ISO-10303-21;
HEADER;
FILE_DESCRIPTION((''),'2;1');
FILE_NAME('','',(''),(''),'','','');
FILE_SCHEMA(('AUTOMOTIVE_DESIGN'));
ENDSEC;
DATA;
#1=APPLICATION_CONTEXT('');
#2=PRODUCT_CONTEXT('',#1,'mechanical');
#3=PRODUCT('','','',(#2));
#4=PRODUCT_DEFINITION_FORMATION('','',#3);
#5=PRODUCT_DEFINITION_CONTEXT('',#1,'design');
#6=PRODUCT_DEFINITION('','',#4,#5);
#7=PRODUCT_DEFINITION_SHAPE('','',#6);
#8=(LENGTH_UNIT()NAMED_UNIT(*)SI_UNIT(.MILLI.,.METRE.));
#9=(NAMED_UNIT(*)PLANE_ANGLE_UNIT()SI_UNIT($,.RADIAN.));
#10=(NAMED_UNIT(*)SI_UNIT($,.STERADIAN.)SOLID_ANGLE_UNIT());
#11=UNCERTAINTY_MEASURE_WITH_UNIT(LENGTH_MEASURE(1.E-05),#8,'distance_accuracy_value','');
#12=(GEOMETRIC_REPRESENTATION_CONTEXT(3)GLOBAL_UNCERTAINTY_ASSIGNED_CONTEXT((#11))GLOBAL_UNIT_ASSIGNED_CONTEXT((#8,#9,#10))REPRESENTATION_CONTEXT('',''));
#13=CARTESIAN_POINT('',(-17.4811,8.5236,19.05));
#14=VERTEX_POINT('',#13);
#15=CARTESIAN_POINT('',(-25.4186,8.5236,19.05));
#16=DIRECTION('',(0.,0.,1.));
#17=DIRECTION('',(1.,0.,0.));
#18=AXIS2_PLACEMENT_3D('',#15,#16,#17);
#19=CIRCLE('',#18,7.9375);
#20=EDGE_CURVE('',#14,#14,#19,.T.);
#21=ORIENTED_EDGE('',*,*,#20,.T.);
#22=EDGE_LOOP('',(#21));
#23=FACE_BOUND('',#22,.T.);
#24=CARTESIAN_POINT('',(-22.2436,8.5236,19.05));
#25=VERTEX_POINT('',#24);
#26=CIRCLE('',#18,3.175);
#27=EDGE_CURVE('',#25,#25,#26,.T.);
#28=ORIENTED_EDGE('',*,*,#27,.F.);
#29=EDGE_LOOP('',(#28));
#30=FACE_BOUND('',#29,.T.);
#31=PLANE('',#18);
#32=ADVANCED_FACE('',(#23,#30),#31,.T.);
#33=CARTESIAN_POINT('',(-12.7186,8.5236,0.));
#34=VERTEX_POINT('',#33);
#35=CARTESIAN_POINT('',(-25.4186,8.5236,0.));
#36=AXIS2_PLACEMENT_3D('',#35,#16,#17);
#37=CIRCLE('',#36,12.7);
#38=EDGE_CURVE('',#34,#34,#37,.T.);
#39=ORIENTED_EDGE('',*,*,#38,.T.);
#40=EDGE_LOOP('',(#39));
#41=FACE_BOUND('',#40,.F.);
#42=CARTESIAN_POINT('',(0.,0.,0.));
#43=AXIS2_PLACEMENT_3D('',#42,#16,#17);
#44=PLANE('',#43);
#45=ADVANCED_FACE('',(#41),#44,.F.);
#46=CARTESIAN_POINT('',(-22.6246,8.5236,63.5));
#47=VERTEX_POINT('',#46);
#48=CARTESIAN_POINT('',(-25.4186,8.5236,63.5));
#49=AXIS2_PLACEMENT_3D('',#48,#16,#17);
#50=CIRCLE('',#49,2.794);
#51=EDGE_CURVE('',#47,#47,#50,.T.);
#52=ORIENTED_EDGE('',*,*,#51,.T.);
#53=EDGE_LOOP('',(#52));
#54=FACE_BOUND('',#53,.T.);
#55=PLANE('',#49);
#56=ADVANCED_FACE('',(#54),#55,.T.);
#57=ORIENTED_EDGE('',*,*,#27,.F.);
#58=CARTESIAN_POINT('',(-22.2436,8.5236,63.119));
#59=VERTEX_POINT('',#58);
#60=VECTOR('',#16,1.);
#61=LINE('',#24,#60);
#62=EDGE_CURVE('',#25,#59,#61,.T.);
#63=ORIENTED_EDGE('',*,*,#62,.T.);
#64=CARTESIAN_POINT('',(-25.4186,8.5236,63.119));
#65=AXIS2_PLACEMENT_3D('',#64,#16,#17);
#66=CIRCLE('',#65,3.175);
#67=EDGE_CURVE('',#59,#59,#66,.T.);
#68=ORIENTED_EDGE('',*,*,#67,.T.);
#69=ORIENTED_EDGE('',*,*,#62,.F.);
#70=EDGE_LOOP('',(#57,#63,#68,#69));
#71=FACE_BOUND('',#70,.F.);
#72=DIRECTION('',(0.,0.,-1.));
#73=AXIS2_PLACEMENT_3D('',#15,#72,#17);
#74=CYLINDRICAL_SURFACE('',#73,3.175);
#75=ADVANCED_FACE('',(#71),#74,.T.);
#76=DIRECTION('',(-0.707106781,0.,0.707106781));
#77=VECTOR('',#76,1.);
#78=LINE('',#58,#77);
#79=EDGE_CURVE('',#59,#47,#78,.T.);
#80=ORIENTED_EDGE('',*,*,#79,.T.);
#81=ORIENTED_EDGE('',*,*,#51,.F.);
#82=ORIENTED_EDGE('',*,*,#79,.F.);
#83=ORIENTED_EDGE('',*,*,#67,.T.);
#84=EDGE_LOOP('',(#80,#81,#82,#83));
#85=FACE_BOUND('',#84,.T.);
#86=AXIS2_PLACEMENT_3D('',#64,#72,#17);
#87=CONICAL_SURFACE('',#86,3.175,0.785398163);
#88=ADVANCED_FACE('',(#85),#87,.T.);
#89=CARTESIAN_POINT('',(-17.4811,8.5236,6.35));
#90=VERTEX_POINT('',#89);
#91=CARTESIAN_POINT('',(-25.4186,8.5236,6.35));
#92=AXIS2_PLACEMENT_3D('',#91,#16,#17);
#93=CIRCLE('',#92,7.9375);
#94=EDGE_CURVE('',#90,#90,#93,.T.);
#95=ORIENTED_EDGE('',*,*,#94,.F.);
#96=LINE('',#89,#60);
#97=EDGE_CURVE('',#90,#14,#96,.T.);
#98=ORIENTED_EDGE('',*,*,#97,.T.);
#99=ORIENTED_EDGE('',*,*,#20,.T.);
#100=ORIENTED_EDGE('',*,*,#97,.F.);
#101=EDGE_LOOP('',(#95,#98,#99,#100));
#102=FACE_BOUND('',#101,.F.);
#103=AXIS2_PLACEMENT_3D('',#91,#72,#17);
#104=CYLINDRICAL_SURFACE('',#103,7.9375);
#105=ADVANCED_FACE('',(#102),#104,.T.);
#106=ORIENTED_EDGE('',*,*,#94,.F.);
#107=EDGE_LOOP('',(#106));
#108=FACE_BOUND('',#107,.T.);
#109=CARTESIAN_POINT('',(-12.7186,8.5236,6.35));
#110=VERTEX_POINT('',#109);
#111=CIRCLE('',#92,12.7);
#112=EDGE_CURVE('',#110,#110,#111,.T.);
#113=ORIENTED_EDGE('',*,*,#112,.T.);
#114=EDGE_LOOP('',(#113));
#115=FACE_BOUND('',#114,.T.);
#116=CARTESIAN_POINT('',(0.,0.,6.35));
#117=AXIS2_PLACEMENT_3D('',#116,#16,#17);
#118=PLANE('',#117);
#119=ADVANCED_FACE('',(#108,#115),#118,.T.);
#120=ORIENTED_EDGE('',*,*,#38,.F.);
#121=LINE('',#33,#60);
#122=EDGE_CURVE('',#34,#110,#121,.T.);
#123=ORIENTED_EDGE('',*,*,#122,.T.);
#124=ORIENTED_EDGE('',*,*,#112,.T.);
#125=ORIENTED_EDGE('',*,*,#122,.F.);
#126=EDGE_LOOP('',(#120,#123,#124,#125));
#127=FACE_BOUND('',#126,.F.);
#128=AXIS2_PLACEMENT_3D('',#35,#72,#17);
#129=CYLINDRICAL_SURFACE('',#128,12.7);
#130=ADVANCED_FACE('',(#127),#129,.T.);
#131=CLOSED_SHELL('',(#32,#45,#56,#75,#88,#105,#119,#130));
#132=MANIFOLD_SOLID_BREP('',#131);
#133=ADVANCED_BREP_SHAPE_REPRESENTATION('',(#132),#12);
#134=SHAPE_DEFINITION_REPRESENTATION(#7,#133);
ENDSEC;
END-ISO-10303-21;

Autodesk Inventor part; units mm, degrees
ref_plane "YZ Plane" through (0, 0, 0) normal (1, 0, 0) x (0, 1, 0)
ref_plane "XZ Plane" through (0, 0, 0) normal (0, 1, 0) x (-1, 0, 0)
ref_plane "XY Plane" through (0, 0, 0) normal (0, 0, 1) x (1, 0, 0)
sketch "Sketch1" plane through (0, 0, 0) normal (0, 0, 1) x (1, 0, 0)
  circle A0 centre (-25.4186, 8.5236) radius 12.7
  dimension "d0" = 25.4
extrude "Extrusion1" add sketch "Sketch1" along normal blind 6.35
sketch "Sketch2" plane through (-25.4186, 8.5236, 6.35) normal (0, 0, 1) x (1, 0, 0)
  circle A0 centre (0, 0) radius 12.7 projected
  circle A1 centre (0, 0) radius 7.9375
  dimension "d3" = 15.875
extrude "Extrusion2" add sketch "Sketch2" along normal blind 12.7 contours A1
sketch "Sketch3" plane through (-25.4186, 8.5236, 19.05) normal (0, 0, 1) x (1, 0, 0)
  circle A0 centre (0, 0) radius 7.9375 projected
  circle A1 centre (0, 0) radius 3.175
  dimension "d6" = 6.35
extrude "Extrusion3" add sketch "Sketch3" along normal blind 44.45 contours A1
thread "Thread1" size "1/4-28 UNF" class "2A" standard "ANSI Unified Screw Threads" full length
chamfer "Chamfer1" distance 0.381 angle 45 1 edges at (-28.5936, 8.5236, 63.5)
properties part number "PP-00012"
